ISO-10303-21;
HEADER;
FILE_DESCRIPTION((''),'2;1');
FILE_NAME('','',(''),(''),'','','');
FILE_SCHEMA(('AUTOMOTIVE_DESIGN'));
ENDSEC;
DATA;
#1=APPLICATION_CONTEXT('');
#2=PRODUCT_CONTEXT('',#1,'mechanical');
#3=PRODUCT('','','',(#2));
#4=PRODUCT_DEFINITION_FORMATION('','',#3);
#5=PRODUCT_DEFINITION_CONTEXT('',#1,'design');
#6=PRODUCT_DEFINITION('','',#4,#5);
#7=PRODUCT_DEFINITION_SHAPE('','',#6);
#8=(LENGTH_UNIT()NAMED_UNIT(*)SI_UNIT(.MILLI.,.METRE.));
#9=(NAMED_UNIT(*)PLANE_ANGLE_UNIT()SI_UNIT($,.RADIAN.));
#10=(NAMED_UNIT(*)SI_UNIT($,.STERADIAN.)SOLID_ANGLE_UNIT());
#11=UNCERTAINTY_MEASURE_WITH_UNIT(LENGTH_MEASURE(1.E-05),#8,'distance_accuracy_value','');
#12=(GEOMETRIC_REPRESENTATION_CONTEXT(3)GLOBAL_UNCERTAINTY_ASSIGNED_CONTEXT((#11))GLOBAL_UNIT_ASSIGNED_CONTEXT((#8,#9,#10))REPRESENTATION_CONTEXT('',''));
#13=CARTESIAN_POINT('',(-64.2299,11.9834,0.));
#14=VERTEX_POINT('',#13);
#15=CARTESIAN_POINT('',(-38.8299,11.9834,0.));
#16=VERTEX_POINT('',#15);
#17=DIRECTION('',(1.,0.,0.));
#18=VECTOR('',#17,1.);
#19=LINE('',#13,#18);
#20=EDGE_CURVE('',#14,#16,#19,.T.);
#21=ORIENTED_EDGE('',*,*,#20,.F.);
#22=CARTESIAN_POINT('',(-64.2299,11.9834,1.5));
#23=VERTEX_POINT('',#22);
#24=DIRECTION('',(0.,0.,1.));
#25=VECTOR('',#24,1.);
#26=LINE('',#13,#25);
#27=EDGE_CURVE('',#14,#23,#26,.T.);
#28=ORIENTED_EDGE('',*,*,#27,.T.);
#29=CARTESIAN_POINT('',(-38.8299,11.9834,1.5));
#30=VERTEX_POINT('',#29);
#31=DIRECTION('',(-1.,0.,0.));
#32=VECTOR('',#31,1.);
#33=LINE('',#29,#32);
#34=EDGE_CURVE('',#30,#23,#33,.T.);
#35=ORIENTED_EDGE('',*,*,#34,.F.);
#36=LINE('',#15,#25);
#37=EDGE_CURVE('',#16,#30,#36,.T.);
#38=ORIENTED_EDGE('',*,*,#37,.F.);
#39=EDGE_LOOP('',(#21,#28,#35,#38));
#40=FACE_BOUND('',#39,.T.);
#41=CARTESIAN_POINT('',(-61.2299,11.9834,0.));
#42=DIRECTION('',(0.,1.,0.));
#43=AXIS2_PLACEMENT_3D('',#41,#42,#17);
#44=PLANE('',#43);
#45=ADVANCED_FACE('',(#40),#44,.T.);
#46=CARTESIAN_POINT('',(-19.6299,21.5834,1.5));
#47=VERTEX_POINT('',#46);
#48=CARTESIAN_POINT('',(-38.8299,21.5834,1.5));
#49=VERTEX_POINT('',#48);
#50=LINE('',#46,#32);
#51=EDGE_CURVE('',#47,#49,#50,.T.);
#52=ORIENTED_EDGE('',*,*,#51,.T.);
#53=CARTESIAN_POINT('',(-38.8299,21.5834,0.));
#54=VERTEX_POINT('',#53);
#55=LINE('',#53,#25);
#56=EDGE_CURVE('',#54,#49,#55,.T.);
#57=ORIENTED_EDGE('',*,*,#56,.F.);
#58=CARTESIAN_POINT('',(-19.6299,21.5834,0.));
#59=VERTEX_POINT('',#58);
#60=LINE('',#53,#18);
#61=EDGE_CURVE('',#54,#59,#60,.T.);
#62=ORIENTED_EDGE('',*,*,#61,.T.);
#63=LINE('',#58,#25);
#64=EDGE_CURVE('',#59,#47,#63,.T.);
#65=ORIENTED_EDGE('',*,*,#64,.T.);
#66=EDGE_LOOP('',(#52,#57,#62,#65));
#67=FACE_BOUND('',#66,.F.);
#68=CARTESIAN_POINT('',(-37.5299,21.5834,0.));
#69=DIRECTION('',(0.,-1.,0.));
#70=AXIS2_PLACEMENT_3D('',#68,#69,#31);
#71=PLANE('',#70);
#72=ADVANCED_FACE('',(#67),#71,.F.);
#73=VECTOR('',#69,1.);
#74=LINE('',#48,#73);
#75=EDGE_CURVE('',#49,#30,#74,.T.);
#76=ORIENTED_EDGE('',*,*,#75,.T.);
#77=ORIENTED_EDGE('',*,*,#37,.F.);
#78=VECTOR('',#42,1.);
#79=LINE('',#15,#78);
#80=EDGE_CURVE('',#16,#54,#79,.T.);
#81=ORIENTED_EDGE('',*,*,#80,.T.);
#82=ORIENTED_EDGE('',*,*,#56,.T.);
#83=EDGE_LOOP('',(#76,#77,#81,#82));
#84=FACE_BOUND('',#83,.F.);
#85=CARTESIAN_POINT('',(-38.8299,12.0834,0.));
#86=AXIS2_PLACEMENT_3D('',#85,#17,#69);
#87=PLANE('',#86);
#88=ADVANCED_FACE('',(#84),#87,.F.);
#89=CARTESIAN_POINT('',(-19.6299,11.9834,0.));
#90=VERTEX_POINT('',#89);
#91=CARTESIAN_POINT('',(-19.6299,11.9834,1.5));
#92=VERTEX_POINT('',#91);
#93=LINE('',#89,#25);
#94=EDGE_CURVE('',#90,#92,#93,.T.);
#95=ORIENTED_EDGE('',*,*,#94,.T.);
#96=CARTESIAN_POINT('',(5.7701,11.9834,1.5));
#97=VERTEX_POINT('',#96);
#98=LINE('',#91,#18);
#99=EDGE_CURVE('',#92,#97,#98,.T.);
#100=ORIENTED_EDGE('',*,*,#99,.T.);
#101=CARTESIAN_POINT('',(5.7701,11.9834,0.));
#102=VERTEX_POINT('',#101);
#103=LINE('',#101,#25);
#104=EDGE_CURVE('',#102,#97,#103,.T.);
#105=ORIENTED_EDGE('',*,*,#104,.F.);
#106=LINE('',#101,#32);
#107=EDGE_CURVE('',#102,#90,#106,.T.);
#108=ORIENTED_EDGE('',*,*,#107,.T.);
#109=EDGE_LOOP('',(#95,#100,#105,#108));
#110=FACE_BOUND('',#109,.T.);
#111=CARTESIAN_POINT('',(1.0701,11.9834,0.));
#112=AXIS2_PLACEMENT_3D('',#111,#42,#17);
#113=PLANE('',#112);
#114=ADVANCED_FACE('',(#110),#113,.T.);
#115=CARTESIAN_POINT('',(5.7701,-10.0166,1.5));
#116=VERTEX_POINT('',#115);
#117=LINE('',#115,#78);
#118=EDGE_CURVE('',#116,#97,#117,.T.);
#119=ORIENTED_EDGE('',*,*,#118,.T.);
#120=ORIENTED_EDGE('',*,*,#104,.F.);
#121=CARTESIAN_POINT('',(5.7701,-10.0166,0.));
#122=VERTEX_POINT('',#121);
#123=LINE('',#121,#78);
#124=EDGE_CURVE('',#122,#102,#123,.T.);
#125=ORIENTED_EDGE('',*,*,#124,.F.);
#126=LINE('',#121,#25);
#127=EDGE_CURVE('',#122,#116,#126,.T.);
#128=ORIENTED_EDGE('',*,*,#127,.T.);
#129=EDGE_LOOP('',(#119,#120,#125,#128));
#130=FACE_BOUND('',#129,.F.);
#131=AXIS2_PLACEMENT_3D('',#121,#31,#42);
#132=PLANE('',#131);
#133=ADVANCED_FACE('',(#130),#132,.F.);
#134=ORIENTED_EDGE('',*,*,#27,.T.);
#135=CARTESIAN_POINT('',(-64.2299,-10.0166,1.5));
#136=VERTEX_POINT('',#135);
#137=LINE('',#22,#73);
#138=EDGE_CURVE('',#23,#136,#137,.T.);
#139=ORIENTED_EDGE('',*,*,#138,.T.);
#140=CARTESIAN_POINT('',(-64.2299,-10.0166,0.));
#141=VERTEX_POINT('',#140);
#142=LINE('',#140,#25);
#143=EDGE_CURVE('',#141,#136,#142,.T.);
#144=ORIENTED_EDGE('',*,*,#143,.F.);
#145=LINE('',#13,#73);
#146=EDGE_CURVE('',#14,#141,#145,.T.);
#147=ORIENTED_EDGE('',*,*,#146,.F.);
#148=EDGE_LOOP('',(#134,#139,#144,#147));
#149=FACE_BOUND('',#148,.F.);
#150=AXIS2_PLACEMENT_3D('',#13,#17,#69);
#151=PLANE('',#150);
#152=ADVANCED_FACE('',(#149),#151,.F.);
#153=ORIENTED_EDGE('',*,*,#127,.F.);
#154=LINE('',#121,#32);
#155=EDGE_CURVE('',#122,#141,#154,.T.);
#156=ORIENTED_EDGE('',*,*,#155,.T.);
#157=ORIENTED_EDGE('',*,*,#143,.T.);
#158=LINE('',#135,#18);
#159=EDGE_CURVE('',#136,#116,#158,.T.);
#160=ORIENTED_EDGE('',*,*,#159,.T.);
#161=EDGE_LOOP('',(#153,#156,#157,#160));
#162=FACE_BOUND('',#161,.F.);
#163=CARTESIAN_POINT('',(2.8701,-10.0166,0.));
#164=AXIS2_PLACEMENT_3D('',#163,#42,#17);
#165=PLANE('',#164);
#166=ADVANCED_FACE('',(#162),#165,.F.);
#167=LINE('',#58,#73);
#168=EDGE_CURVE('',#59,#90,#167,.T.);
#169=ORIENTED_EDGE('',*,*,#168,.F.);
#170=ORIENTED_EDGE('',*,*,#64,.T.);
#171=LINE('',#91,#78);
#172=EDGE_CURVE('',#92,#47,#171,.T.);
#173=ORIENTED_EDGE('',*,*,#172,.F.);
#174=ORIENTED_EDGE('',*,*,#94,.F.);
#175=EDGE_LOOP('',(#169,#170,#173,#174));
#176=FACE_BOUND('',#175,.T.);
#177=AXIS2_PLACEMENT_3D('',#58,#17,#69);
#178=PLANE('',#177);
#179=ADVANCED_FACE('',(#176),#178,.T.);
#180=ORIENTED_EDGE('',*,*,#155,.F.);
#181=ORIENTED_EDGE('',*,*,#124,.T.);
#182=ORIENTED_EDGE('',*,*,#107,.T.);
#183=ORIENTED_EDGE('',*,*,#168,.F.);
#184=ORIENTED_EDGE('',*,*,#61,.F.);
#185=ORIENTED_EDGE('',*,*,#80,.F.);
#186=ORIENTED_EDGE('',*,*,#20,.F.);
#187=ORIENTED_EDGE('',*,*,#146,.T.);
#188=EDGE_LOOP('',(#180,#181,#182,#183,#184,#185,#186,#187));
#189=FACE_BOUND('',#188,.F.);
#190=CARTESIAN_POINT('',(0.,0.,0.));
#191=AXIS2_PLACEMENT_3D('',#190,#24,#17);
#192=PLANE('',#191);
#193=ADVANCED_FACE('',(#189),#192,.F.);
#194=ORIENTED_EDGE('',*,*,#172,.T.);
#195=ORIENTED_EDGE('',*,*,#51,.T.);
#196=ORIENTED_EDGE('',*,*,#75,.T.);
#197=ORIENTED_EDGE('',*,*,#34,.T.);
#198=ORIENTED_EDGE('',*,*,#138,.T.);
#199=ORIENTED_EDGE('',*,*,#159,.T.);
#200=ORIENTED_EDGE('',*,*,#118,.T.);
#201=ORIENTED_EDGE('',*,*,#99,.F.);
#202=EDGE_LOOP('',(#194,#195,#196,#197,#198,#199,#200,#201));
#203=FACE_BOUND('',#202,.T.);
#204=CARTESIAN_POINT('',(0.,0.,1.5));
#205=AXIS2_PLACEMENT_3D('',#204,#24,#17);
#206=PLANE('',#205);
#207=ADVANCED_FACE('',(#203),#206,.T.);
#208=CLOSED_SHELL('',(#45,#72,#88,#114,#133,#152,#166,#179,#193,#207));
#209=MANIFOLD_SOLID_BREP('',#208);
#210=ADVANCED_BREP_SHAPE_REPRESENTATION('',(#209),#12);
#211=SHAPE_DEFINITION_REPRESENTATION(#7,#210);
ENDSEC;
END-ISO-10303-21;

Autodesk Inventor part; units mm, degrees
ref_plane "YZ Plane" through (0, 0, 0) normal (1, 0, 0) x (0, 1, 0)
ref_plane "XZ Plane" through (0, 0, 0) normal (0, 1, 0) x (-1, 0, 0)
ref_plane "XY Plane" through (0, 0, 0) normal (0, 0, 1) x (1, 0, 0)
sketch "Esboço1" plane through (0, 0, 0) normal (0, 0, 1) x (1, 0, 0)
  line L0 (1.0701, 11.9834) -> (-0.8299, 11.9834)
  line L1 (-64.2299, 11.9834) -> (-64.2299, -10.0166)
  line L2 (-64.2299, -10.0166) -> (5.7701, -10.0166)
  line L3 (5.7701, -10.0166) -> (5.7701, 11.9834)
  line L4 (-61.2299, -10.5466) -> (-61.2299, 13.5834)
  line L5 (2.7701, 57.5834) -> (2.7701, -6.4166)
  line L6 (-31.3299, 21.5834) -> (-37.5299, 21.5834)
  line L7 (5.7701, -10.0166) -> (2.8701, -10.0166)
  line L8 (-59.5299, 11.9834) -> (-57.6299, 11.9834)
  line L9 (-38.8299, 21.5834) -> (-38.8299, 12.0834)
  line L10 (-19.6299, 21.5834) -> (-19.6299, 12.0834)
  line L11 (-19.6299, 11.9834) -> (-19.6299, 21.5834)
  line L12 (-19.6299, 21.5834) -> (-38.8299, 21.5834)
  line L13 (-38.8299, 21.5834) -> (-38.8299, 11.9834)
  line L14 (-64.2299, 11.9834) -> (-38.8299, 11.9834)
  line L15 (-19.6299, 11.9834) -> (5.7701, 11.9834)
  point P0 (0, 0)
extrude "Extrusão1" add sketch "Esboço1" along normal blind 1.5
properties part number "pcb sensor de cor"
